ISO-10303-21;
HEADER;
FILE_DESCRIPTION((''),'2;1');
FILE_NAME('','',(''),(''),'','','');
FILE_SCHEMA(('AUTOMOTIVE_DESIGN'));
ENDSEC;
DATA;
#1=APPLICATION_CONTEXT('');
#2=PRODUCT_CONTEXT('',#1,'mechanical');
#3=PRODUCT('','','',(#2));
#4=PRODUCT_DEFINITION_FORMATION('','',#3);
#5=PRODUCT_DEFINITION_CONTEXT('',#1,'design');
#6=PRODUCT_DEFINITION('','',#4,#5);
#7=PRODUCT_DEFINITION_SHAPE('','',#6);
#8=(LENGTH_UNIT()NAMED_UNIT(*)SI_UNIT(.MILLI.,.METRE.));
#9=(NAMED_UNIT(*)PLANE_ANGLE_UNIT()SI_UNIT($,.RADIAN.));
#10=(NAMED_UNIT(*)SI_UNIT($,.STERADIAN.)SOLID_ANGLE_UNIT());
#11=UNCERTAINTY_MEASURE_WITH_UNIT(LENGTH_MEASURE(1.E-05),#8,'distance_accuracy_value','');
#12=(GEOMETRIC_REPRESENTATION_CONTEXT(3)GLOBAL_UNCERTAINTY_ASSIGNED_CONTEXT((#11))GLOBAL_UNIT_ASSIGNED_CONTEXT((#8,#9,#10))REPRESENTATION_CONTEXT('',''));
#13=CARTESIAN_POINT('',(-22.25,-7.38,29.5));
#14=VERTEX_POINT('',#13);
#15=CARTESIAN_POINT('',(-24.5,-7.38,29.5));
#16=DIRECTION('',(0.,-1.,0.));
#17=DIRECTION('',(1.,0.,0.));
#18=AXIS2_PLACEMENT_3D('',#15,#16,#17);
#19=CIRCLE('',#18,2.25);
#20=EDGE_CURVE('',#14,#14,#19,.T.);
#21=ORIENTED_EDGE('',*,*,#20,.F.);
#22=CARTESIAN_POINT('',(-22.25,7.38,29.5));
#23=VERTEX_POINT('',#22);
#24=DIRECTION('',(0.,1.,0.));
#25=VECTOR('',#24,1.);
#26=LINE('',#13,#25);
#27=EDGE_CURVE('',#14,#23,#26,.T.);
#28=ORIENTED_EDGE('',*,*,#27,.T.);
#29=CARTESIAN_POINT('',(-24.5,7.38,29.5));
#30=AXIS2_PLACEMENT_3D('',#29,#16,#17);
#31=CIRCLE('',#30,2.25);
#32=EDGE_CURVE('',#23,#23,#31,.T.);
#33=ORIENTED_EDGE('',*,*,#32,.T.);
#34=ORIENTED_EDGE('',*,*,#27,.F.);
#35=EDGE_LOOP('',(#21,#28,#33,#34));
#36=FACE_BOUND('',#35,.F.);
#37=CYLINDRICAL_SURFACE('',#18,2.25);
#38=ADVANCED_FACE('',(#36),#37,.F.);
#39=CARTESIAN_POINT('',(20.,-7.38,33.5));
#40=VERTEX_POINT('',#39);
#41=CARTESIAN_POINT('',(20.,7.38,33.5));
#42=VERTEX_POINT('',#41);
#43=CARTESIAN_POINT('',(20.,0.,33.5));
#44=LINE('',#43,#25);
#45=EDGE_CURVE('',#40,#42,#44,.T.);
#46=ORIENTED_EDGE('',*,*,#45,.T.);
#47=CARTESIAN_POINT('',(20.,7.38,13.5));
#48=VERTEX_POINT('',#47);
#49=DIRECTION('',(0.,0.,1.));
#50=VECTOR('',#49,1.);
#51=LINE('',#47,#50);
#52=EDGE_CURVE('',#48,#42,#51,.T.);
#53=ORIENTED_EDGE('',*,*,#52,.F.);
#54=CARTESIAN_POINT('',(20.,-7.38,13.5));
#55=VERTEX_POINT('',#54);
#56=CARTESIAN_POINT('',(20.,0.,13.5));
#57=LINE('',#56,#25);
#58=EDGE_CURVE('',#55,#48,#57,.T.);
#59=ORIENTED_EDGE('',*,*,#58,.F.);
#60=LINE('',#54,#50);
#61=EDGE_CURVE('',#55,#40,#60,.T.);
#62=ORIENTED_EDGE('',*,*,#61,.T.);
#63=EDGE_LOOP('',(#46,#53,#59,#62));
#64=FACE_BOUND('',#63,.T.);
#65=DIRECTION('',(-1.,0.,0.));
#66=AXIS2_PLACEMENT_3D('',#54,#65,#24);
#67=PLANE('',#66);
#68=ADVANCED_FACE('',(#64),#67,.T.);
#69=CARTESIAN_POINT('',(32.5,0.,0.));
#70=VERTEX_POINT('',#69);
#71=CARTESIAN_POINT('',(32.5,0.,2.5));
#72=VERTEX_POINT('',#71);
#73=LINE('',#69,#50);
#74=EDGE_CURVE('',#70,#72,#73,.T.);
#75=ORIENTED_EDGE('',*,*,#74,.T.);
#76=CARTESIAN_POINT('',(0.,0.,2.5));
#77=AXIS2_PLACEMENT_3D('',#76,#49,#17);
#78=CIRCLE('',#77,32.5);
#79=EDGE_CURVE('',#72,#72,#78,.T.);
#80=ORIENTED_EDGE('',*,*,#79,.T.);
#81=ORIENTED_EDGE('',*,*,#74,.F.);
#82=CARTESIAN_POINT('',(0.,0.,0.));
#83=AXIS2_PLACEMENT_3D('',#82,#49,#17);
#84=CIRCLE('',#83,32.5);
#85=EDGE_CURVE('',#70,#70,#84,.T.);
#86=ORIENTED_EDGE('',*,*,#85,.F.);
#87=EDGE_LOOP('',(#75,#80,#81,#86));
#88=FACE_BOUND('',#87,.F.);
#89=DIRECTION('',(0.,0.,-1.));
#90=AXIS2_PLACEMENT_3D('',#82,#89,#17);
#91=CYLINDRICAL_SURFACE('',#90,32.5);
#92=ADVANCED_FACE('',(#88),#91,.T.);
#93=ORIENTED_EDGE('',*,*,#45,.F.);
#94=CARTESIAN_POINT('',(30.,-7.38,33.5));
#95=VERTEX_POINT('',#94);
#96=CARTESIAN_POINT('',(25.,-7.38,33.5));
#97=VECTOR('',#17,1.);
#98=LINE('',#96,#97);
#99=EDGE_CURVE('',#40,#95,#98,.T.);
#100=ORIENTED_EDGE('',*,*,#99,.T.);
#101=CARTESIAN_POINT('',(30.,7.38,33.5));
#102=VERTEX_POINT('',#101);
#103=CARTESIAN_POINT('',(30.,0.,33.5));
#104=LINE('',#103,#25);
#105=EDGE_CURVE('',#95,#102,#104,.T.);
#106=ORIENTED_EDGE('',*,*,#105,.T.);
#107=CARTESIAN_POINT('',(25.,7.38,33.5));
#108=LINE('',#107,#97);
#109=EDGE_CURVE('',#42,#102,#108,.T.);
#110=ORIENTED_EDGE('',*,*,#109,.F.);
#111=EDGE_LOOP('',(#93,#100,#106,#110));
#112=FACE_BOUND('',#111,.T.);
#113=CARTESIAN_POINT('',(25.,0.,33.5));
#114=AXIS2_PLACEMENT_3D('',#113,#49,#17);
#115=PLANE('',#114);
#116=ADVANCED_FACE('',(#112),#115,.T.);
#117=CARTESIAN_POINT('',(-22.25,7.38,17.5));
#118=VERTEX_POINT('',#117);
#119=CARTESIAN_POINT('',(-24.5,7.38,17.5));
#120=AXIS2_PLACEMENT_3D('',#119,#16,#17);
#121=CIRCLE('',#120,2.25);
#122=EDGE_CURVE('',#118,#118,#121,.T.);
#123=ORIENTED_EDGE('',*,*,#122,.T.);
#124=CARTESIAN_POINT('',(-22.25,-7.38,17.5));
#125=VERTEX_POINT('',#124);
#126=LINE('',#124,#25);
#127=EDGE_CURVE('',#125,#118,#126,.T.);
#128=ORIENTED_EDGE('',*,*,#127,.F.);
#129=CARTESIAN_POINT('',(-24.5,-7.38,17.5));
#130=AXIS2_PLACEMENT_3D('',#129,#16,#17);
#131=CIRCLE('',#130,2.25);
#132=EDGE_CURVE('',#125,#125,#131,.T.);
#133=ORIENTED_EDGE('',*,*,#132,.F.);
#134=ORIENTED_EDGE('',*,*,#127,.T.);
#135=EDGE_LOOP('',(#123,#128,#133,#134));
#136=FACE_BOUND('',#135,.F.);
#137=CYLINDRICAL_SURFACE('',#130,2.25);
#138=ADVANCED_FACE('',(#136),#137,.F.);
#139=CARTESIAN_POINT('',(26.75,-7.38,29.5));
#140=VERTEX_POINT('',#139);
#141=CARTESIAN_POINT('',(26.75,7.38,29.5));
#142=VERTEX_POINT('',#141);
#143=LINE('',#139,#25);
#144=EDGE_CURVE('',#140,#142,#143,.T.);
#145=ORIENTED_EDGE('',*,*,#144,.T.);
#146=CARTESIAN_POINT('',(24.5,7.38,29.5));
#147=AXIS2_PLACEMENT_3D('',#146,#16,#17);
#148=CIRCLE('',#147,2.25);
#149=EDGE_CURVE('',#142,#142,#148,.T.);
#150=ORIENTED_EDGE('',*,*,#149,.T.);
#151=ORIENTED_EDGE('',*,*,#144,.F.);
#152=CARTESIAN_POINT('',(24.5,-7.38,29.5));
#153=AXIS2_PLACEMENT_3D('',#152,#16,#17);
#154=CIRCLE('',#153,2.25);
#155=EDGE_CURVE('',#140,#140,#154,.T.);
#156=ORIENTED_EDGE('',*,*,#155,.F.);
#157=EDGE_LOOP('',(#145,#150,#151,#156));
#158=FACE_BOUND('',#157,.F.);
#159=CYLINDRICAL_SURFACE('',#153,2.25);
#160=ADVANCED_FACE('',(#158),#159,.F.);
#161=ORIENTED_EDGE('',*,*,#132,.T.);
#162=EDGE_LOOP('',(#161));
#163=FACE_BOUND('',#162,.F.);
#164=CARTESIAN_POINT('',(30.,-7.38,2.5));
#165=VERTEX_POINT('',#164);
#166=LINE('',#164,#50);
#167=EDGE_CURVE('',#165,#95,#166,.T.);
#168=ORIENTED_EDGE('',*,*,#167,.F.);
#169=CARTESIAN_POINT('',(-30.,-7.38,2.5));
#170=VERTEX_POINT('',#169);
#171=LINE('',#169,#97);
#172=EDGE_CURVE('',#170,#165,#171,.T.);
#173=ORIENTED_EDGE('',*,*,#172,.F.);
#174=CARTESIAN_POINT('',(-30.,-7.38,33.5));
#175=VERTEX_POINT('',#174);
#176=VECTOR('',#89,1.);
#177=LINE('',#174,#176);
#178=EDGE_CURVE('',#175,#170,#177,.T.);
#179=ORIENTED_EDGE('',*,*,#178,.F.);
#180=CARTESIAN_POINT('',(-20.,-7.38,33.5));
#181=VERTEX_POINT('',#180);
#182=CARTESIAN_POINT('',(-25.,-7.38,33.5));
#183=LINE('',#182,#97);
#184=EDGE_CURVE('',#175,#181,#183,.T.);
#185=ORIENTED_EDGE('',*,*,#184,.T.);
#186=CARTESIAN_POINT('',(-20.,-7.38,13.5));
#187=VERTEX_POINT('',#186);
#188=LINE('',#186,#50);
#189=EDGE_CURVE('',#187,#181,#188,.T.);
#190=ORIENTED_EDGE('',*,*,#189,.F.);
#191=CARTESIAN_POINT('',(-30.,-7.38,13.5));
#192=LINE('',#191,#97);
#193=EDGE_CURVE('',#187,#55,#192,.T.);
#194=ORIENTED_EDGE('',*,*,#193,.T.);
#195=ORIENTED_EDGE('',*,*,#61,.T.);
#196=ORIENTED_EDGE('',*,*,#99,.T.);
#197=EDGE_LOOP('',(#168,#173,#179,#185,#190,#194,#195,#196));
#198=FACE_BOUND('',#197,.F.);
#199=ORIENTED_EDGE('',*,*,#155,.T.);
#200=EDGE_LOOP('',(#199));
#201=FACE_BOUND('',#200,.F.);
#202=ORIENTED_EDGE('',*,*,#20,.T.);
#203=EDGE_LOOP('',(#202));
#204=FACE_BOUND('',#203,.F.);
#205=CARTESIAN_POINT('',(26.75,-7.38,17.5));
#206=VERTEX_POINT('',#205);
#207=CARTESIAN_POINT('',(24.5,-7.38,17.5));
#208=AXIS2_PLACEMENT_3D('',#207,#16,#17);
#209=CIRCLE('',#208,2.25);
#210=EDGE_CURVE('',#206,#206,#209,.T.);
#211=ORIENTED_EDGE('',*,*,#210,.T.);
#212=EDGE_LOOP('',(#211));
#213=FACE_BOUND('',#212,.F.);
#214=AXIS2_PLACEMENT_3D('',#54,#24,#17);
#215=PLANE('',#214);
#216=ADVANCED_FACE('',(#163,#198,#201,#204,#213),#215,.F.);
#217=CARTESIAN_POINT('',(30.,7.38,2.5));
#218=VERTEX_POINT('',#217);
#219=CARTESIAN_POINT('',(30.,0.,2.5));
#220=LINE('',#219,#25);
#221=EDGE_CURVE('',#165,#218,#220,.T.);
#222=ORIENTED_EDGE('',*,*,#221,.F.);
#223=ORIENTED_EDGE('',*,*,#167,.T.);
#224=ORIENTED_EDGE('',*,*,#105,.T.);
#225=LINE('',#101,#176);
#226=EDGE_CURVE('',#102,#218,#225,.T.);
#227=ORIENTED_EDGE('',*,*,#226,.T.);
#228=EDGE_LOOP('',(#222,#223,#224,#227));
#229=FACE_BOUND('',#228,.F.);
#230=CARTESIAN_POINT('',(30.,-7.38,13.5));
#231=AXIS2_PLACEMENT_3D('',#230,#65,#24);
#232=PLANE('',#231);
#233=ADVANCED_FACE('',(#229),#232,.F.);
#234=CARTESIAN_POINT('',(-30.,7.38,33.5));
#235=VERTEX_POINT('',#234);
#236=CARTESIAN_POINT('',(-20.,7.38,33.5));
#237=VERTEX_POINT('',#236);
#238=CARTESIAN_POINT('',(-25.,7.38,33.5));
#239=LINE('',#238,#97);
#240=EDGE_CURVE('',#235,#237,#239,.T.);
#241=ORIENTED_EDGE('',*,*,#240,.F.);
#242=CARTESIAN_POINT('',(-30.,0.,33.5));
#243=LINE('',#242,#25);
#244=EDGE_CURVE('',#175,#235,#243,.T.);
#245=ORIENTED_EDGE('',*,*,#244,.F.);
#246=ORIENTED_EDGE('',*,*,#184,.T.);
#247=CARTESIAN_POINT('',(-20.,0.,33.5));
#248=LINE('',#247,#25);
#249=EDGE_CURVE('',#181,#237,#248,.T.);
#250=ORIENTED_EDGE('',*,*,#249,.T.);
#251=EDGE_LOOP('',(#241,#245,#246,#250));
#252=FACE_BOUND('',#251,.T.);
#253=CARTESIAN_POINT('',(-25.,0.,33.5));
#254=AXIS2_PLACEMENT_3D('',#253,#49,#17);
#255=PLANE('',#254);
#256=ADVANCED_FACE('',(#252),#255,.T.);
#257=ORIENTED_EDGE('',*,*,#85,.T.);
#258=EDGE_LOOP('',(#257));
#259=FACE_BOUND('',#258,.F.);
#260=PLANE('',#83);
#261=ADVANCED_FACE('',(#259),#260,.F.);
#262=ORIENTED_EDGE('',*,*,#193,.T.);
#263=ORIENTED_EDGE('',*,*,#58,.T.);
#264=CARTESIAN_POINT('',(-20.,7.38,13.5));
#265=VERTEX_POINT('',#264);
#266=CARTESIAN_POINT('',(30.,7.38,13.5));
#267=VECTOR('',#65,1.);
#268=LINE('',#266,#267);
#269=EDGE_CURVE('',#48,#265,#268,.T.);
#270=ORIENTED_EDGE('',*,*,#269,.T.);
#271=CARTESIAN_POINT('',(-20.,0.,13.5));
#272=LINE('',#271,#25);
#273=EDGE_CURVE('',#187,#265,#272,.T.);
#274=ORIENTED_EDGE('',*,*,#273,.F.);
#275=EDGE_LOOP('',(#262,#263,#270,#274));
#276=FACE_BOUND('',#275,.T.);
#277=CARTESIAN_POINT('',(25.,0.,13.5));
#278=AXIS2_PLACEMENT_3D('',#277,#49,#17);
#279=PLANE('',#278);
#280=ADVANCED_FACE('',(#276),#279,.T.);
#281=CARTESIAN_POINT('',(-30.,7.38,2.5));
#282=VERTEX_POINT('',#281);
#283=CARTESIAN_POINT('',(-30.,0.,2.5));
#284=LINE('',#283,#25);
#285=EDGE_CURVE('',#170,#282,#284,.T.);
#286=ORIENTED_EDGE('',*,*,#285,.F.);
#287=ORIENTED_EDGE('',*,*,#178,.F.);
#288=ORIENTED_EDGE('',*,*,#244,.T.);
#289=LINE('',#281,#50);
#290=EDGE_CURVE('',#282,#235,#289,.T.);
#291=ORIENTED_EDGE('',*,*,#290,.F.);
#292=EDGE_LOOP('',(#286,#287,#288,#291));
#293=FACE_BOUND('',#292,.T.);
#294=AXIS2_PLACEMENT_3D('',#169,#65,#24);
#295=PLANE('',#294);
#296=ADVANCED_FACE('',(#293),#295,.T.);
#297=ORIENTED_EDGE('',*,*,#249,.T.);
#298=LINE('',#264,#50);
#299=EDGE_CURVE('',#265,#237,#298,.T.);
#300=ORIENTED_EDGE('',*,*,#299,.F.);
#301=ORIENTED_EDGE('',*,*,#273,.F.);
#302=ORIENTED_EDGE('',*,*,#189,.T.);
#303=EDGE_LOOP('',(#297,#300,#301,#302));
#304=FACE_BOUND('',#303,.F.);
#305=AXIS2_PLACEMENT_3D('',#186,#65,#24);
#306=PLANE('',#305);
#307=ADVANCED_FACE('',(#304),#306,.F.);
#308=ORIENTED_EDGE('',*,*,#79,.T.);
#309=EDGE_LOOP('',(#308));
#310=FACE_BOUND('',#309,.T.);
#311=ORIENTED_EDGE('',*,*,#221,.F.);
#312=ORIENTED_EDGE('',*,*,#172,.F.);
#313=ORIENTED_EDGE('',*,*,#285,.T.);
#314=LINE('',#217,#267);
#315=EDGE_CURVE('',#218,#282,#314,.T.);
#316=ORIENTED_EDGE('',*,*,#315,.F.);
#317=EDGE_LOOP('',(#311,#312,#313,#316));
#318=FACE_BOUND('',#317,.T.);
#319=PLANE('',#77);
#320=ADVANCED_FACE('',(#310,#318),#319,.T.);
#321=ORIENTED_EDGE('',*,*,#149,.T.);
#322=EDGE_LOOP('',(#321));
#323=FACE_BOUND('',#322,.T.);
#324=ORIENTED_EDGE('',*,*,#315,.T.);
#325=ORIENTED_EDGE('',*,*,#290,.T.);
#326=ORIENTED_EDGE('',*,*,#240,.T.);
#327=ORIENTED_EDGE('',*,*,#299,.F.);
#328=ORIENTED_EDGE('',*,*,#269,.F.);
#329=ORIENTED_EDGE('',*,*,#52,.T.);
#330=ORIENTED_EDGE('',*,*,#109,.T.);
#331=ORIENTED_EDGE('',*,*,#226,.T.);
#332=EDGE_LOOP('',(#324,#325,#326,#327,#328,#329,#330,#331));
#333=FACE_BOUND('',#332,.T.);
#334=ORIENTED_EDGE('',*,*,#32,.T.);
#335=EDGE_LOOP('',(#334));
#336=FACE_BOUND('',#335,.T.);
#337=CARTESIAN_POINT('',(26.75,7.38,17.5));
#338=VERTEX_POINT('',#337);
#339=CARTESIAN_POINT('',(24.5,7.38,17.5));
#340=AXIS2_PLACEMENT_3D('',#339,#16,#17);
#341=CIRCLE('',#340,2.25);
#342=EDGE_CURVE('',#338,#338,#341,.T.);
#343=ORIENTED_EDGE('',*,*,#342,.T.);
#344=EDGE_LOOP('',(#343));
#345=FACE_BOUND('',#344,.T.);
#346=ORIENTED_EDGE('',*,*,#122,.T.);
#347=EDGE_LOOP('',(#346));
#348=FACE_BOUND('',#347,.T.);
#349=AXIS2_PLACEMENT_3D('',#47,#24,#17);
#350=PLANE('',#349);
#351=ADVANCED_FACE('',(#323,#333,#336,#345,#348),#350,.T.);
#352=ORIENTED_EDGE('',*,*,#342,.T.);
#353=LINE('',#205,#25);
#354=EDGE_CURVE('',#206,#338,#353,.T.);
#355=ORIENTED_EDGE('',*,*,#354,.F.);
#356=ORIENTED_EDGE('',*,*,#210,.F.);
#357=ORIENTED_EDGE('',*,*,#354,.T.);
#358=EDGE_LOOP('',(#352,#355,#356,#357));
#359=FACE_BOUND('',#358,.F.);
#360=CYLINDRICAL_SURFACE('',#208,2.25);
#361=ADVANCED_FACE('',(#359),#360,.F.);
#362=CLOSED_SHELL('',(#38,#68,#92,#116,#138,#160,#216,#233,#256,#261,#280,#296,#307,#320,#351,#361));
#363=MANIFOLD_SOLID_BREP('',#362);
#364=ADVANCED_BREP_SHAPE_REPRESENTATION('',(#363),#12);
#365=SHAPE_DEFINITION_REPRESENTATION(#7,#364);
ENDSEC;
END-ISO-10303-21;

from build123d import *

# Parameters (mm, degrees)
F0_R     = 32.5
F1_DEPTH = 2.5
F2_W     = 10
F2_H     = 14.76
F2_W_2   = 40
F3_DEPTH = 11
F4_W     = 10
F4_H     = 14.76
F5_DEPTH = 20
F6_R     = 2.25
F7_DEPTH = 25.4


with BuildPart() as f1:
    # F0 (on Top) → F1 (new body)
    with BuildSketch(Plane.XY):
        Circle(F0_R)
    extrude(amount=F1_DEPTH)

    # F2 (on face) → F3 (join)
    with BuildSketch(Plane.XY.offset(2.5)):
        with Locations((25, 0)):
            Rectangle(F2_W, F2_H)
        Rectangle(F2_W_2, F2_H)
        with Locations((-25, 0)):
            Rectangle(F2_W, F2_H)
    extrude(amount=F3_DEPTH)

    # F4 (on face) → F5 (join)
    with BuildSketch(Plane.XY.offset(13.5)):
        with Locations((25, 0)):
            Rectangle(F4_W, F4_H)
        with Locations((-25, 0)):
            Rectangle(F4_W, F4_H)
    extrude(amount=F5_DEPTH)

    # F6 (on face) → F7 (cut)
    with BuildSketch(Plane.XZ.offset(7.38)):
        with Locations((-24.5, 17.5)):
            Circle(F6_R)
        with Locations((-24.5, 29.5)):
            Circle(F6_R)
        with Locations((24.5, 17.5)):
            Circle(F6_R)
        with Locations((24.5, 29.5)):
            Circle(F6_R)
    extrude(amount=-F7_DEPTH, mode=Mode.SUBTRACT)


solid = f1.part
